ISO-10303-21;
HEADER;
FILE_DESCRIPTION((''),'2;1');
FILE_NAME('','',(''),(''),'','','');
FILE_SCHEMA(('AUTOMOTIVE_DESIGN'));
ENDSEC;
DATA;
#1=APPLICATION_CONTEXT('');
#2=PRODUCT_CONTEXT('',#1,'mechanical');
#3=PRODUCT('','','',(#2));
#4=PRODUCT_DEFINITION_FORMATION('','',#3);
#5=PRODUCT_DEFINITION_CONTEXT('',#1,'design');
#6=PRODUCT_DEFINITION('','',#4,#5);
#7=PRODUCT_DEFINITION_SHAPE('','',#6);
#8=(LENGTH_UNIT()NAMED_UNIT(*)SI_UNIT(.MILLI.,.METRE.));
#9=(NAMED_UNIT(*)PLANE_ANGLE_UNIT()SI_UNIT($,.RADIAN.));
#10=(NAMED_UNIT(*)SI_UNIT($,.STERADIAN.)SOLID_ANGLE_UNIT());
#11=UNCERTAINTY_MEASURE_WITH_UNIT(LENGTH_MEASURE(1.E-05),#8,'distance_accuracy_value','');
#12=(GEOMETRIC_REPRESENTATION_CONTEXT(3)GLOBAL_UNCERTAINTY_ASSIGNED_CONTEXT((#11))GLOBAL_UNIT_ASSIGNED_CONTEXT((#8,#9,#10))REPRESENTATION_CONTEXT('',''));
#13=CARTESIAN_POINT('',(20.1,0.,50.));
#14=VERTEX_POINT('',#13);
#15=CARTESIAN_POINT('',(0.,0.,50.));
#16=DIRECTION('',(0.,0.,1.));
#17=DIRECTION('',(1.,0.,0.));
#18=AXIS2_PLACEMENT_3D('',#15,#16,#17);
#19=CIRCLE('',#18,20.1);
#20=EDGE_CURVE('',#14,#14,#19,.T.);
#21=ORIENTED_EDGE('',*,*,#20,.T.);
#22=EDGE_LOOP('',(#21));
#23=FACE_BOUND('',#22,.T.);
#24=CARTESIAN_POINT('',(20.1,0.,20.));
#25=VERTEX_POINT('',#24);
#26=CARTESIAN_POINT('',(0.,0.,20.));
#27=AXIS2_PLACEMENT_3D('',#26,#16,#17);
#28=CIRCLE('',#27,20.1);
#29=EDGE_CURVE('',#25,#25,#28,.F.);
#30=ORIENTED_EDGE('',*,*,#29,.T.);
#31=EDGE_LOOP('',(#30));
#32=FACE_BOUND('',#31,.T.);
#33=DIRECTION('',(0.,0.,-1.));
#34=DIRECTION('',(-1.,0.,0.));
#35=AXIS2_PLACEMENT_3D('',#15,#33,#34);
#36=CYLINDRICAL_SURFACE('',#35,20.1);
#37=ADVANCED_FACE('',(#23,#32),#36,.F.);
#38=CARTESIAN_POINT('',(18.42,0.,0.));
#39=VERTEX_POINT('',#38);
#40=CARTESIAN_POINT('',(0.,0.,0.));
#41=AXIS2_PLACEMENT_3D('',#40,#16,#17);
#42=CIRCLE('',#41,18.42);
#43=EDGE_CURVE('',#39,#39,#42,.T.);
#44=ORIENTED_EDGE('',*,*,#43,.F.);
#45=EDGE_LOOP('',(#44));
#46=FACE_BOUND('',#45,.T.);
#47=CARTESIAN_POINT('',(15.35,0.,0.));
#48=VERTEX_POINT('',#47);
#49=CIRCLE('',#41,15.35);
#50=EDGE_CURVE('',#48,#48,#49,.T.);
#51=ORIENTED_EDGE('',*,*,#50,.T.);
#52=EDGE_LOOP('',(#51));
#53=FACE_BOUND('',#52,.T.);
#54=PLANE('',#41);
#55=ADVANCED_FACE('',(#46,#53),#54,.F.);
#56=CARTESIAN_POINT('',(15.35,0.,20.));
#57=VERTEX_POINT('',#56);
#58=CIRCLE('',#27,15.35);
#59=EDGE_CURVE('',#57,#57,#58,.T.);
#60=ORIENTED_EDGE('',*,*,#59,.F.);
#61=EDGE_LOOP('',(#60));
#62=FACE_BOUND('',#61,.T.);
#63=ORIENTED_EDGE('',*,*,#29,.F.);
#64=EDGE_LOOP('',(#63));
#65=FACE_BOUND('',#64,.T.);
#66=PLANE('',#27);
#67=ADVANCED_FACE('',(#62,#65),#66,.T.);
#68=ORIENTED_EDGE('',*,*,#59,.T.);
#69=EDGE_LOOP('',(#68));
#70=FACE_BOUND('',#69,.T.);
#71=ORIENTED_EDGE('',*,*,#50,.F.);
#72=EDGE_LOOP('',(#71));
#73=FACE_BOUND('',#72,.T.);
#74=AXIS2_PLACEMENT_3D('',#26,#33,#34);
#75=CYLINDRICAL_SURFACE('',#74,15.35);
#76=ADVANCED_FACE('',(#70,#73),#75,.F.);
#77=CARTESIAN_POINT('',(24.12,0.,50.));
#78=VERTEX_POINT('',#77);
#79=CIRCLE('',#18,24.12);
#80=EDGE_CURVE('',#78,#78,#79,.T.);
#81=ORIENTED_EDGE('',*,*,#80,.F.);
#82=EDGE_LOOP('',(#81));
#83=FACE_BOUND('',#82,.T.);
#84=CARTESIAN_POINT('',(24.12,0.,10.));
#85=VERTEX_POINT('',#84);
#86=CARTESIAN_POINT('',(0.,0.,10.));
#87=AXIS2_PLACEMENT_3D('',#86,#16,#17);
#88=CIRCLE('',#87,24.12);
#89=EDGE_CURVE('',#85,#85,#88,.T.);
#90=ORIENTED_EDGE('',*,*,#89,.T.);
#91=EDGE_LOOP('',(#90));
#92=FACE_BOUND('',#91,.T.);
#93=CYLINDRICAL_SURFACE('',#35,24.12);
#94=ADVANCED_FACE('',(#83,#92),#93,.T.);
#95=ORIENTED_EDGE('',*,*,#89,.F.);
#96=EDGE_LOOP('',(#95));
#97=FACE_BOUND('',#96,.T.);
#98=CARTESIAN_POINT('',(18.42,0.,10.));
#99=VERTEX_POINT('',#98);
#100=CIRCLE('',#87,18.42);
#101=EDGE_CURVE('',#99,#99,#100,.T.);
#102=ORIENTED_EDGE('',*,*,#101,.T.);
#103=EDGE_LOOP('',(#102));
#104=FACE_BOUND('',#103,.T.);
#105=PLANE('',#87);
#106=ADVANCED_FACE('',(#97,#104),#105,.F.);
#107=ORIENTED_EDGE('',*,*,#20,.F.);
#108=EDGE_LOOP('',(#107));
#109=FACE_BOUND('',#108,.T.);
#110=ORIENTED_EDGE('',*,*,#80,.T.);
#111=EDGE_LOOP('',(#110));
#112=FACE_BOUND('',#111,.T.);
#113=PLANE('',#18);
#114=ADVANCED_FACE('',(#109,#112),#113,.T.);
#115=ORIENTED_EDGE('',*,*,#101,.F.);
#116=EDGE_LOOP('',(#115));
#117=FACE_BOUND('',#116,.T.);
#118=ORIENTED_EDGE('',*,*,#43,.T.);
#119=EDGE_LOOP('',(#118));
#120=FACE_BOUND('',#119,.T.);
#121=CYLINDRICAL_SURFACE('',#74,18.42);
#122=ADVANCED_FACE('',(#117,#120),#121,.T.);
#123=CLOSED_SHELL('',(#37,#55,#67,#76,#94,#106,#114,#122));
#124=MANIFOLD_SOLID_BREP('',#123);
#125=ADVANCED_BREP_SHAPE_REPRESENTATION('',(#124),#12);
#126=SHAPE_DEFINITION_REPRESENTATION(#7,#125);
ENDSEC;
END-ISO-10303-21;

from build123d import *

# Parameters (mm, degrees)
SKETCH4_R           = 18.42
SKETCH4_R_2         = 15.35
BOSS_EXTRUDE1_DEPTH = 20
SKETCH5_R           = 20.1
SKETCH5_R_2         = 18.42
BOSS_EXTRUDE3_DEPTH = 10
SKETCH6_R           = 24.12
SKETCH6_R_2         = 20.1
BOSS_EXTRUDE4_DEPTH = 40


with BuildPart() as part:
    # Sketch4 → Boss-Extrude1 (new body)
    with BuildSketch(Plane.XY):
        Circle(SKETCH4_R)
        Circle(SKETCH4_R_2, mode=Mode.SUBTRACT)
    extrude(amount=BOSS_EXTRUDE1_DEPTH)

    # Sketch5 → Boss-Extrude3 (add)
    with BuildSketch(Plane.XY.offset(10)):
        Circle(SKETCH5_R)
        Circle(SKETCH5_R_2, mode=Mode.SUBTRACT)
    extrude(amount=BOSS_EXTRUDE3_DEPTH)

    # Sketch6 → Boss-Extrude4 (add)
    with BuildSketch(Plane.XY.offset(10)):
        Circle(SKETCH6_R)
        Circle(SKETCH6_R_2, mode=Mode.SUBTRACT)
    extrude(amount=BOSS_EXTRUDE4_DEPTH)


solid = part.part
